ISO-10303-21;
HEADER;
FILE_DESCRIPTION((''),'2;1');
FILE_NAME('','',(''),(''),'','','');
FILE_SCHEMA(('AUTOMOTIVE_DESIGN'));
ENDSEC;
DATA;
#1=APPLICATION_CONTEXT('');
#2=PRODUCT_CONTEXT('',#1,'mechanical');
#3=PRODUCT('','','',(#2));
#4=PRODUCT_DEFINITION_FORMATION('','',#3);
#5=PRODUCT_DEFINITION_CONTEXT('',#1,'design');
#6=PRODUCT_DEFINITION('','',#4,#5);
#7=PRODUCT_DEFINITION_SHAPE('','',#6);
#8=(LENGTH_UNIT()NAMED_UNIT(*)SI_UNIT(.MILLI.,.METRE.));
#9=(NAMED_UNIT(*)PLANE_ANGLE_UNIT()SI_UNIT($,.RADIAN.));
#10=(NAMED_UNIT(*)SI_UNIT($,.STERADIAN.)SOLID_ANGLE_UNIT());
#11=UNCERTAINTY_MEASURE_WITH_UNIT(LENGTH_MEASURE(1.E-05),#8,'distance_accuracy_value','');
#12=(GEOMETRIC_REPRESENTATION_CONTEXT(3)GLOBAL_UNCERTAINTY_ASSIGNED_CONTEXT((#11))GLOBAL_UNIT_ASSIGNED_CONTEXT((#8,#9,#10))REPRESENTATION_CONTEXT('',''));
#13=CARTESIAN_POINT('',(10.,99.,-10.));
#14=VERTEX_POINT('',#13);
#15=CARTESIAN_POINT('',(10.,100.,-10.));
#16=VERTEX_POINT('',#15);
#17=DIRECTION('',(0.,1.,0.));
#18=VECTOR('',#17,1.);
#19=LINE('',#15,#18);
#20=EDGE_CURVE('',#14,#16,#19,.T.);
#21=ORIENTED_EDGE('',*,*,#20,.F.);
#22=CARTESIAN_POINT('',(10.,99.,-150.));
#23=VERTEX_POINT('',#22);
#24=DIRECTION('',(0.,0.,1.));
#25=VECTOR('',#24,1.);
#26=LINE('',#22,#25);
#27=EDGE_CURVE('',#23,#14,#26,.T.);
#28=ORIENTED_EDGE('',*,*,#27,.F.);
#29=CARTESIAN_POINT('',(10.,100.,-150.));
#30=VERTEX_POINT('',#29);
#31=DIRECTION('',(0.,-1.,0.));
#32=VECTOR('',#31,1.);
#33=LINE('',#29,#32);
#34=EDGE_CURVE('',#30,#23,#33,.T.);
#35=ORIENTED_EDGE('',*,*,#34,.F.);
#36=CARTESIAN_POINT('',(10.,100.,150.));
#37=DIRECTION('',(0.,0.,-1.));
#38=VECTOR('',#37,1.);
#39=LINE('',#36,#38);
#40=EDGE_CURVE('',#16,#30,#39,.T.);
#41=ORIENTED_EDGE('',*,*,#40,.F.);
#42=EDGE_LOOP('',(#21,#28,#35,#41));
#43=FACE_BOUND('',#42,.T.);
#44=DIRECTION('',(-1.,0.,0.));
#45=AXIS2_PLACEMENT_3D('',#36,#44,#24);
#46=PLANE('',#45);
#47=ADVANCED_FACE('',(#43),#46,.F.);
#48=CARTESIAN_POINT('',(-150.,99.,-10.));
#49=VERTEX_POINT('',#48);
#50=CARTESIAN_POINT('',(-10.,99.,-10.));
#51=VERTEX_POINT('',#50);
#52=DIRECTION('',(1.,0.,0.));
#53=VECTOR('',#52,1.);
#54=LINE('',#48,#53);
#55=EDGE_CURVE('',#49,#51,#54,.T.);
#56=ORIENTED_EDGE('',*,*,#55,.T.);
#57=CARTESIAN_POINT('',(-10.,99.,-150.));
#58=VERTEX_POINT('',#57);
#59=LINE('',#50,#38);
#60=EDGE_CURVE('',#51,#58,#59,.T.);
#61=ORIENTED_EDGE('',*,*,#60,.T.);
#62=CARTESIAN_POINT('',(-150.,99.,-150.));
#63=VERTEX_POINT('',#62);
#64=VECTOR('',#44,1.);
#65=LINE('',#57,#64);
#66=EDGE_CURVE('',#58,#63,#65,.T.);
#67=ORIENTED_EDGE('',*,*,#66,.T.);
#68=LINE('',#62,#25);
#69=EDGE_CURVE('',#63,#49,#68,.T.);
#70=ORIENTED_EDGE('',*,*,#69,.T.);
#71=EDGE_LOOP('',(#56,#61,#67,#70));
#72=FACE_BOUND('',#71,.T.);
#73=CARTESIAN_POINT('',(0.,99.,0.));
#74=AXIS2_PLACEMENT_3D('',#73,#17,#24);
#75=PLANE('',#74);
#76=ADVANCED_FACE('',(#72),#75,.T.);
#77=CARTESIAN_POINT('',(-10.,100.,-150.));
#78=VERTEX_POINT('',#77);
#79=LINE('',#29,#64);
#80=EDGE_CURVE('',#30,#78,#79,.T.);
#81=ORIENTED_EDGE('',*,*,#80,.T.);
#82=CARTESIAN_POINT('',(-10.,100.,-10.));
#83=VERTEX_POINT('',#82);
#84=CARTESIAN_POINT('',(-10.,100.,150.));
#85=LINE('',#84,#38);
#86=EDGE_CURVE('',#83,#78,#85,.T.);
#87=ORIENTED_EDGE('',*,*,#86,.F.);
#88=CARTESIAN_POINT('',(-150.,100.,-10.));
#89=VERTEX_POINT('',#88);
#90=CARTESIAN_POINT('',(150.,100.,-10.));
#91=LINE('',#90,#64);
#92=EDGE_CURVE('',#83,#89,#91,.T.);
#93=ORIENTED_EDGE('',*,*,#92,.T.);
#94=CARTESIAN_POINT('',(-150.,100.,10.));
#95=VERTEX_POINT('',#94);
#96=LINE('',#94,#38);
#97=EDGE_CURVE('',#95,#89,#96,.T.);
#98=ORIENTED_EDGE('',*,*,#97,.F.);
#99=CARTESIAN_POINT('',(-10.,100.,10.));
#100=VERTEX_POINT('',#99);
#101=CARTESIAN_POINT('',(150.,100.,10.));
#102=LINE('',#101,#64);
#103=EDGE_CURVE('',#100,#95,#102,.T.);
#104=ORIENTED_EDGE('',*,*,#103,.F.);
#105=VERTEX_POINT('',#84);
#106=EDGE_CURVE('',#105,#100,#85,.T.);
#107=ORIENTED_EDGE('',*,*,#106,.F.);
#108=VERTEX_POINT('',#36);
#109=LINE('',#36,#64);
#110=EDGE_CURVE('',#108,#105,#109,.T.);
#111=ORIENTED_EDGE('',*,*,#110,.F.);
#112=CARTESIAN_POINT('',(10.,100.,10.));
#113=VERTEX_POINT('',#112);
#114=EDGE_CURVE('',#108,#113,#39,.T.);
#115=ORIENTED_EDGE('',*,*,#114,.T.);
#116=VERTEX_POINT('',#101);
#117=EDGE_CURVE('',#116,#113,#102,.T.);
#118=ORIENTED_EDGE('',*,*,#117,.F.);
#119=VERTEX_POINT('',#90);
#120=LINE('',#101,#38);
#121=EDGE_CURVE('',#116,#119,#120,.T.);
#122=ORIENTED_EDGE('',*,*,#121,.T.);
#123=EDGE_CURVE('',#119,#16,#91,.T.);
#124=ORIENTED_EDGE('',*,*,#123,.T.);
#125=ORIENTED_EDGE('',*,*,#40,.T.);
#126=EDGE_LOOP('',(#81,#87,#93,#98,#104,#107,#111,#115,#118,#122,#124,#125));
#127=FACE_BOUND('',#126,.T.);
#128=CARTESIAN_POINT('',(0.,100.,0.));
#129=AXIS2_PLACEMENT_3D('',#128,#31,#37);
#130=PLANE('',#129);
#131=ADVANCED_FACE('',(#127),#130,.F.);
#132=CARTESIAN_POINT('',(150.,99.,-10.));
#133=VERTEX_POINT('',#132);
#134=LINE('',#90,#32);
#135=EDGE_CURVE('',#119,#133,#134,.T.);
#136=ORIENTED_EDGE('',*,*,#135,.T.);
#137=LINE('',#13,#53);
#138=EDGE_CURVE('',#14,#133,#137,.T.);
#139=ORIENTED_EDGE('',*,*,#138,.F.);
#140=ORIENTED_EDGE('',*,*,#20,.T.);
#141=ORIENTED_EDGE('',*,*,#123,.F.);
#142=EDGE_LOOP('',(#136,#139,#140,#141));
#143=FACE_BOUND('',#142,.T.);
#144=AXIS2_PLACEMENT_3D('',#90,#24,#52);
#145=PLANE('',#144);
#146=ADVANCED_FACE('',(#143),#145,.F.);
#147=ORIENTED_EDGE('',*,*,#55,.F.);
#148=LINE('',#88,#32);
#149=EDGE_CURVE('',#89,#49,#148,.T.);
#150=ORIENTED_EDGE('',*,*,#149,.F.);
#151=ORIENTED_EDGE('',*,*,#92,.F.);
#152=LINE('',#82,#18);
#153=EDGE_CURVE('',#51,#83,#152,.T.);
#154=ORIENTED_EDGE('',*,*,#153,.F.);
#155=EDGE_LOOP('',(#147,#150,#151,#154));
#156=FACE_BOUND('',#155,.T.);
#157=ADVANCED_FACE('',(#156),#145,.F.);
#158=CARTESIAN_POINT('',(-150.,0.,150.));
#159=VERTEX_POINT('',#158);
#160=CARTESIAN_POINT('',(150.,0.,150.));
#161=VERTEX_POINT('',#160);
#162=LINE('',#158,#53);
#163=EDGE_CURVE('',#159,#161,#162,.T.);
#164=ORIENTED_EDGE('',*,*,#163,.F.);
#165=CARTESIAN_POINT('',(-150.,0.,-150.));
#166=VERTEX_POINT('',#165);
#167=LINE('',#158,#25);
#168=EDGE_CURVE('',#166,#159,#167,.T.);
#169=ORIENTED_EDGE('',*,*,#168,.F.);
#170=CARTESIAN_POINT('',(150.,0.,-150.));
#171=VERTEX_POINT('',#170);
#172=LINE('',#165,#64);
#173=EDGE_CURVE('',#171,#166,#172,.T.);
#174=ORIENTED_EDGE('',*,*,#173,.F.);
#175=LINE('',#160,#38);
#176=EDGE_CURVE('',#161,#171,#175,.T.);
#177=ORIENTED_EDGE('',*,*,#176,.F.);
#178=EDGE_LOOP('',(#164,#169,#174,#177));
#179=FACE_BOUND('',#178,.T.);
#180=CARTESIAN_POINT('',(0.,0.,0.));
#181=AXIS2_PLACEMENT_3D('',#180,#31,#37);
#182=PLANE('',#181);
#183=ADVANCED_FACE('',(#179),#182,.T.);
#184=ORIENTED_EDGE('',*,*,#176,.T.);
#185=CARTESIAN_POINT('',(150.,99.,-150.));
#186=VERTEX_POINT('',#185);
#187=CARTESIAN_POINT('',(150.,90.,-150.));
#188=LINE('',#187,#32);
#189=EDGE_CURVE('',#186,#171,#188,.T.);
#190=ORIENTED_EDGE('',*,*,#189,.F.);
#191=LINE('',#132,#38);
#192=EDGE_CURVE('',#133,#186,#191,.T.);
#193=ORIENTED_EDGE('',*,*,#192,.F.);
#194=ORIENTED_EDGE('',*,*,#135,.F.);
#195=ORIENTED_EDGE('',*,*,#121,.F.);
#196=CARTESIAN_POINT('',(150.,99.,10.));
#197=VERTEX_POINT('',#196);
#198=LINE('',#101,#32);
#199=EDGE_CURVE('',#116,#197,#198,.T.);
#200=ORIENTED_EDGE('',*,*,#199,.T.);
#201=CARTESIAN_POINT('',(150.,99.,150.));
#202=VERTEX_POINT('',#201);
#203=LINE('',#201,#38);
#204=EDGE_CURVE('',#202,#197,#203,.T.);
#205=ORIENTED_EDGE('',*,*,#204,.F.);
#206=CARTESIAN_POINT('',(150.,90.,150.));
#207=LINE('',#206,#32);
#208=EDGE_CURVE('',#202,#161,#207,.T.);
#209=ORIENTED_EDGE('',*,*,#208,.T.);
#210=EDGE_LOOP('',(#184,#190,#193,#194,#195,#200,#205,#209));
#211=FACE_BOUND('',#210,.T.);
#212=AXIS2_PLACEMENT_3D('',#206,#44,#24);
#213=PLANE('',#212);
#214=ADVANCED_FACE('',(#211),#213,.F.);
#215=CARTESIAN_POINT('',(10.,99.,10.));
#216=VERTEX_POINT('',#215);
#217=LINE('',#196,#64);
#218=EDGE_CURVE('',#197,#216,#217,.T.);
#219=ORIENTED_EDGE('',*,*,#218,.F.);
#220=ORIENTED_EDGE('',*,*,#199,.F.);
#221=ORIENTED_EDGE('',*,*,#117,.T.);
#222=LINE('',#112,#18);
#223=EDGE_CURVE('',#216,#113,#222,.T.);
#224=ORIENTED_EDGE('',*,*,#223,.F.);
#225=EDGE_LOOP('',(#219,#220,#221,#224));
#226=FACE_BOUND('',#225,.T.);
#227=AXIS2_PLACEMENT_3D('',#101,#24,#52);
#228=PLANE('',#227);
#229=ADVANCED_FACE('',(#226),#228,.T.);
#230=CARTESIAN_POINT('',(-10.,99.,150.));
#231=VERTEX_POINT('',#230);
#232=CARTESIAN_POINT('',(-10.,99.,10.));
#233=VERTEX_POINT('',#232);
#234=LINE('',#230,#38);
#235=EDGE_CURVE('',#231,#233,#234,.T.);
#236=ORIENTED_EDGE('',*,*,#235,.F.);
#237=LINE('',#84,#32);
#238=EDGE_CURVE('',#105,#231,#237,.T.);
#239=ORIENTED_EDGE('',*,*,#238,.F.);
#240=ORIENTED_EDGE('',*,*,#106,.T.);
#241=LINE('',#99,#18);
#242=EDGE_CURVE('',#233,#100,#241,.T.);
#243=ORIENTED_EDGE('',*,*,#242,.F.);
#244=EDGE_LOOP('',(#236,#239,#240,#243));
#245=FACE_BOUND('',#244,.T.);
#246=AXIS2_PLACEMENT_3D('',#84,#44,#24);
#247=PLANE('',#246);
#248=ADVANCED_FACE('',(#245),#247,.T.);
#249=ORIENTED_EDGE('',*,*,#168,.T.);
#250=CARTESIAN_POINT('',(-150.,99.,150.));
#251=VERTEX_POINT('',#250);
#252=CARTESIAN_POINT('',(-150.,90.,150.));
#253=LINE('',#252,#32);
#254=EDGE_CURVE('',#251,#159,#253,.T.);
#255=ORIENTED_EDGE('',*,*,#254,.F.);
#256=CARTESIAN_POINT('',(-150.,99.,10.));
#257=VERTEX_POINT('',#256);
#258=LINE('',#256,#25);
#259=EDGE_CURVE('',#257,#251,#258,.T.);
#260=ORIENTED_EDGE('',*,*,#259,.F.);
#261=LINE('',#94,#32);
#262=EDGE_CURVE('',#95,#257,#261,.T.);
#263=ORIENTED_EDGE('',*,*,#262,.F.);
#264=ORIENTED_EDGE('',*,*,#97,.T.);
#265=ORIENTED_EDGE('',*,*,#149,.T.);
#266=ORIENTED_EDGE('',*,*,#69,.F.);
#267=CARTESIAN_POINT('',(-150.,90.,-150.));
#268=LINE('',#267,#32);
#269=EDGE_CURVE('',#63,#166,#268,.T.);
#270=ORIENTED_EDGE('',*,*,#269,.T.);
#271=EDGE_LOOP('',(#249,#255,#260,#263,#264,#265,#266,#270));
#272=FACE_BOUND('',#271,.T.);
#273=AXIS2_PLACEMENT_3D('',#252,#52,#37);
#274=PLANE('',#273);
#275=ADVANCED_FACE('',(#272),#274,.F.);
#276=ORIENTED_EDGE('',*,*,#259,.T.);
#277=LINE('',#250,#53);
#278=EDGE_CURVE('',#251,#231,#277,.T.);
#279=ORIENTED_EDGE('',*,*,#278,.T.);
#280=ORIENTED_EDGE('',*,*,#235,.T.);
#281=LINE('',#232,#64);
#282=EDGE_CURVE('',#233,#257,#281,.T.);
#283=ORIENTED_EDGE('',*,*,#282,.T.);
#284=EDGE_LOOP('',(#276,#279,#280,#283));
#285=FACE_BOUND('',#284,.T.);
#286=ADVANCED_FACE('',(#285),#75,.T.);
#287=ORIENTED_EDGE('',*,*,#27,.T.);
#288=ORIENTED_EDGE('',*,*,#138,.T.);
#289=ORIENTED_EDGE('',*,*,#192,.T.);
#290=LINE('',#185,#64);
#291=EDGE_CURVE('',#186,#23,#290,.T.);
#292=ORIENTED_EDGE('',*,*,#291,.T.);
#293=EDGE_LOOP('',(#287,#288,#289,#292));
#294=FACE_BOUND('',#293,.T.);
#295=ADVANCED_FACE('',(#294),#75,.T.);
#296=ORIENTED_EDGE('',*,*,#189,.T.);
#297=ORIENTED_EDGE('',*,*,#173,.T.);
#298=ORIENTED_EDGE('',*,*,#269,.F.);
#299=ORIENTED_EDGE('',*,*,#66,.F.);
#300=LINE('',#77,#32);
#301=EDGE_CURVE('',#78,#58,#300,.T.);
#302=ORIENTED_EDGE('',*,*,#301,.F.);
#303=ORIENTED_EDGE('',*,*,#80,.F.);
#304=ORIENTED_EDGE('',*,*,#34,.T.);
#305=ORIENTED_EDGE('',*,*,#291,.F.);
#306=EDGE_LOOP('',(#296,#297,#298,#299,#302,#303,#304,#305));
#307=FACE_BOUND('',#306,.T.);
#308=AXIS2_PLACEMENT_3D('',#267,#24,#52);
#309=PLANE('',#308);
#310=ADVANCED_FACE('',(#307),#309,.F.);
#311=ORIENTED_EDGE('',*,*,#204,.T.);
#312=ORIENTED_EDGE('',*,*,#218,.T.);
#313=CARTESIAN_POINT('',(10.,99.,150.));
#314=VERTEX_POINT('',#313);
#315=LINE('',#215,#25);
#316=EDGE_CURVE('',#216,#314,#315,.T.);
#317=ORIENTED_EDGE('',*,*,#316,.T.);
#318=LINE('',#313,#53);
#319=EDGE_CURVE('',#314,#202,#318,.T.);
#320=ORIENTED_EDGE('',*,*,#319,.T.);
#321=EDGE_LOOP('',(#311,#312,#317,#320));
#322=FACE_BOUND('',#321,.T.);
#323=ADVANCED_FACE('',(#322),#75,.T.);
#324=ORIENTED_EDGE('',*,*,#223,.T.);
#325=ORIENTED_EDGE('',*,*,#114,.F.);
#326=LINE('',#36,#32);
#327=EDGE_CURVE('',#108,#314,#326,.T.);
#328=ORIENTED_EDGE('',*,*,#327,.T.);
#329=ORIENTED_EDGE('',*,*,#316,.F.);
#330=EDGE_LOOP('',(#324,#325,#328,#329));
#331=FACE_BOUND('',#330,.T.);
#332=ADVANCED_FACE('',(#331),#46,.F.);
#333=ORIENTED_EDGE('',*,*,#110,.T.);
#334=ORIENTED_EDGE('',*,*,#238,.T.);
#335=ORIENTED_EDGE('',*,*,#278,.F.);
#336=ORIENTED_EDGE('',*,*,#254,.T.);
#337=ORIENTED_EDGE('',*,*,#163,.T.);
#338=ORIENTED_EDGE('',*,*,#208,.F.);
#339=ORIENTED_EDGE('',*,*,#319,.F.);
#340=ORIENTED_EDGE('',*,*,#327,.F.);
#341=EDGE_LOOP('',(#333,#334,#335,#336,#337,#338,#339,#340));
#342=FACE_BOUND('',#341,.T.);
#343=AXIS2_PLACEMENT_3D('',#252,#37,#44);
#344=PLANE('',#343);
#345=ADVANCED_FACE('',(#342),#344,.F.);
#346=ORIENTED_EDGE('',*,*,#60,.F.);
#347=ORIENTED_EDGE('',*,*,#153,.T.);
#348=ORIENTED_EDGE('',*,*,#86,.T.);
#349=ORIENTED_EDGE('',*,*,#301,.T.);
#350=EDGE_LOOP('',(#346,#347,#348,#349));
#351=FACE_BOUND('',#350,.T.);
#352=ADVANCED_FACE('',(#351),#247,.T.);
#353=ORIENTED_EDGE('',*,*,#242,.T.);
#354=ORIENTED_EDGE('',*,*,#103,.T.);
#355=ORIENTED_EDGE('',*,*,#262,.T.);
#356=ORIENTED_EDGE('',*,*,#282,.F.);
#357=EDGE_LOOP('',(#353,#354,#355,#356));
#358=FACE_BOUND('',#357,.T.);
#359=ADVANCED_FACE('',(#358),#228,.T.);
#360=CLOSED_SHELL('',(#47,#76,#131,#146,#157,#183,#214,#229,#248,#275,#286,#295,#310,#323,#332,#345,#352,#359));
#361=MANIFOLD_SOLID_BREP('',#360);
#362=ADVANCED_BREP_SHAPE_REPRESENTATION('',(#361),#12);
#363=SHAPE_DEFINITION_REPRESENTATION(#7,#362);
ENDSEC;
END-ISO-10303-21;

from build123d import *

# Parameters (mm, degrees)
SKETCH_1_W      = 300
SKETCH_1_H      = 300
EXTRUDE_1_DEPTH = 90
SKETCH_2_W      = 20
SKETCH_2_H      = 300
SKETCH_2_W_2    = 300
SKETCH_2_H_2    = 20
EXTRUDE_3_DEPTH = 10
SKETCH_6_W      = 140
SKETCH_6_H      = 140
EXTRUDE_6_DEPTH = 9


with BuildPart() as part:
    # Эскиз1 → Бобышка-Вытянуть1 (new body)
    with BuildSketch(Plane(origin=(0, 0, 0), x_dir=(1, 0, 0), z_dir=(0, 1, 0))):
        Rectangle(SKETCH_1_W, SKETCH_1_H)
    extrude(amount=EXTRUDE_1_DEPTH)

    # Эскиз2 → Бобышка-Вытянуть3 (add)
    with BuildSketch(Plane(origin=(0, 90, 0), x_dir=(1, 0, 0), z_dir=(0, 1, 0))):
        Rectangle(SKETCH_2_W, SKETCH_2_H)
        Rectangle(SKETCH_2_W_2, SKETCH_2_H_2)
    extrude(amount=EXTRUDE_3_DEPTH)

    # Эскиз6 → Бобышка-Вытянуть6 (add)
    with BuildSketch(Plane(origin=(0, 90, 0), x_dir=(1, 0, 0), z_dir=(0, 1, 0))):
        with Locations((-80, -80)):
            Rectangle(SKETCH_6_W, SKETCH_6_H)
        with Locations((80, -80)):
            Rectangle(SKETCH_6_W, SKETCH_6_H)
        with Locations((80, 80)):
            Rectangle(SKETCH_6_W, SKETCH_6_H)
        with Locations((-80, 80)):
            Rectangle(SKETCH_6_W, SKETCH_6_H)
    extrude(amount=EXTRUDE_6_DEPTH)


solid = part.part
